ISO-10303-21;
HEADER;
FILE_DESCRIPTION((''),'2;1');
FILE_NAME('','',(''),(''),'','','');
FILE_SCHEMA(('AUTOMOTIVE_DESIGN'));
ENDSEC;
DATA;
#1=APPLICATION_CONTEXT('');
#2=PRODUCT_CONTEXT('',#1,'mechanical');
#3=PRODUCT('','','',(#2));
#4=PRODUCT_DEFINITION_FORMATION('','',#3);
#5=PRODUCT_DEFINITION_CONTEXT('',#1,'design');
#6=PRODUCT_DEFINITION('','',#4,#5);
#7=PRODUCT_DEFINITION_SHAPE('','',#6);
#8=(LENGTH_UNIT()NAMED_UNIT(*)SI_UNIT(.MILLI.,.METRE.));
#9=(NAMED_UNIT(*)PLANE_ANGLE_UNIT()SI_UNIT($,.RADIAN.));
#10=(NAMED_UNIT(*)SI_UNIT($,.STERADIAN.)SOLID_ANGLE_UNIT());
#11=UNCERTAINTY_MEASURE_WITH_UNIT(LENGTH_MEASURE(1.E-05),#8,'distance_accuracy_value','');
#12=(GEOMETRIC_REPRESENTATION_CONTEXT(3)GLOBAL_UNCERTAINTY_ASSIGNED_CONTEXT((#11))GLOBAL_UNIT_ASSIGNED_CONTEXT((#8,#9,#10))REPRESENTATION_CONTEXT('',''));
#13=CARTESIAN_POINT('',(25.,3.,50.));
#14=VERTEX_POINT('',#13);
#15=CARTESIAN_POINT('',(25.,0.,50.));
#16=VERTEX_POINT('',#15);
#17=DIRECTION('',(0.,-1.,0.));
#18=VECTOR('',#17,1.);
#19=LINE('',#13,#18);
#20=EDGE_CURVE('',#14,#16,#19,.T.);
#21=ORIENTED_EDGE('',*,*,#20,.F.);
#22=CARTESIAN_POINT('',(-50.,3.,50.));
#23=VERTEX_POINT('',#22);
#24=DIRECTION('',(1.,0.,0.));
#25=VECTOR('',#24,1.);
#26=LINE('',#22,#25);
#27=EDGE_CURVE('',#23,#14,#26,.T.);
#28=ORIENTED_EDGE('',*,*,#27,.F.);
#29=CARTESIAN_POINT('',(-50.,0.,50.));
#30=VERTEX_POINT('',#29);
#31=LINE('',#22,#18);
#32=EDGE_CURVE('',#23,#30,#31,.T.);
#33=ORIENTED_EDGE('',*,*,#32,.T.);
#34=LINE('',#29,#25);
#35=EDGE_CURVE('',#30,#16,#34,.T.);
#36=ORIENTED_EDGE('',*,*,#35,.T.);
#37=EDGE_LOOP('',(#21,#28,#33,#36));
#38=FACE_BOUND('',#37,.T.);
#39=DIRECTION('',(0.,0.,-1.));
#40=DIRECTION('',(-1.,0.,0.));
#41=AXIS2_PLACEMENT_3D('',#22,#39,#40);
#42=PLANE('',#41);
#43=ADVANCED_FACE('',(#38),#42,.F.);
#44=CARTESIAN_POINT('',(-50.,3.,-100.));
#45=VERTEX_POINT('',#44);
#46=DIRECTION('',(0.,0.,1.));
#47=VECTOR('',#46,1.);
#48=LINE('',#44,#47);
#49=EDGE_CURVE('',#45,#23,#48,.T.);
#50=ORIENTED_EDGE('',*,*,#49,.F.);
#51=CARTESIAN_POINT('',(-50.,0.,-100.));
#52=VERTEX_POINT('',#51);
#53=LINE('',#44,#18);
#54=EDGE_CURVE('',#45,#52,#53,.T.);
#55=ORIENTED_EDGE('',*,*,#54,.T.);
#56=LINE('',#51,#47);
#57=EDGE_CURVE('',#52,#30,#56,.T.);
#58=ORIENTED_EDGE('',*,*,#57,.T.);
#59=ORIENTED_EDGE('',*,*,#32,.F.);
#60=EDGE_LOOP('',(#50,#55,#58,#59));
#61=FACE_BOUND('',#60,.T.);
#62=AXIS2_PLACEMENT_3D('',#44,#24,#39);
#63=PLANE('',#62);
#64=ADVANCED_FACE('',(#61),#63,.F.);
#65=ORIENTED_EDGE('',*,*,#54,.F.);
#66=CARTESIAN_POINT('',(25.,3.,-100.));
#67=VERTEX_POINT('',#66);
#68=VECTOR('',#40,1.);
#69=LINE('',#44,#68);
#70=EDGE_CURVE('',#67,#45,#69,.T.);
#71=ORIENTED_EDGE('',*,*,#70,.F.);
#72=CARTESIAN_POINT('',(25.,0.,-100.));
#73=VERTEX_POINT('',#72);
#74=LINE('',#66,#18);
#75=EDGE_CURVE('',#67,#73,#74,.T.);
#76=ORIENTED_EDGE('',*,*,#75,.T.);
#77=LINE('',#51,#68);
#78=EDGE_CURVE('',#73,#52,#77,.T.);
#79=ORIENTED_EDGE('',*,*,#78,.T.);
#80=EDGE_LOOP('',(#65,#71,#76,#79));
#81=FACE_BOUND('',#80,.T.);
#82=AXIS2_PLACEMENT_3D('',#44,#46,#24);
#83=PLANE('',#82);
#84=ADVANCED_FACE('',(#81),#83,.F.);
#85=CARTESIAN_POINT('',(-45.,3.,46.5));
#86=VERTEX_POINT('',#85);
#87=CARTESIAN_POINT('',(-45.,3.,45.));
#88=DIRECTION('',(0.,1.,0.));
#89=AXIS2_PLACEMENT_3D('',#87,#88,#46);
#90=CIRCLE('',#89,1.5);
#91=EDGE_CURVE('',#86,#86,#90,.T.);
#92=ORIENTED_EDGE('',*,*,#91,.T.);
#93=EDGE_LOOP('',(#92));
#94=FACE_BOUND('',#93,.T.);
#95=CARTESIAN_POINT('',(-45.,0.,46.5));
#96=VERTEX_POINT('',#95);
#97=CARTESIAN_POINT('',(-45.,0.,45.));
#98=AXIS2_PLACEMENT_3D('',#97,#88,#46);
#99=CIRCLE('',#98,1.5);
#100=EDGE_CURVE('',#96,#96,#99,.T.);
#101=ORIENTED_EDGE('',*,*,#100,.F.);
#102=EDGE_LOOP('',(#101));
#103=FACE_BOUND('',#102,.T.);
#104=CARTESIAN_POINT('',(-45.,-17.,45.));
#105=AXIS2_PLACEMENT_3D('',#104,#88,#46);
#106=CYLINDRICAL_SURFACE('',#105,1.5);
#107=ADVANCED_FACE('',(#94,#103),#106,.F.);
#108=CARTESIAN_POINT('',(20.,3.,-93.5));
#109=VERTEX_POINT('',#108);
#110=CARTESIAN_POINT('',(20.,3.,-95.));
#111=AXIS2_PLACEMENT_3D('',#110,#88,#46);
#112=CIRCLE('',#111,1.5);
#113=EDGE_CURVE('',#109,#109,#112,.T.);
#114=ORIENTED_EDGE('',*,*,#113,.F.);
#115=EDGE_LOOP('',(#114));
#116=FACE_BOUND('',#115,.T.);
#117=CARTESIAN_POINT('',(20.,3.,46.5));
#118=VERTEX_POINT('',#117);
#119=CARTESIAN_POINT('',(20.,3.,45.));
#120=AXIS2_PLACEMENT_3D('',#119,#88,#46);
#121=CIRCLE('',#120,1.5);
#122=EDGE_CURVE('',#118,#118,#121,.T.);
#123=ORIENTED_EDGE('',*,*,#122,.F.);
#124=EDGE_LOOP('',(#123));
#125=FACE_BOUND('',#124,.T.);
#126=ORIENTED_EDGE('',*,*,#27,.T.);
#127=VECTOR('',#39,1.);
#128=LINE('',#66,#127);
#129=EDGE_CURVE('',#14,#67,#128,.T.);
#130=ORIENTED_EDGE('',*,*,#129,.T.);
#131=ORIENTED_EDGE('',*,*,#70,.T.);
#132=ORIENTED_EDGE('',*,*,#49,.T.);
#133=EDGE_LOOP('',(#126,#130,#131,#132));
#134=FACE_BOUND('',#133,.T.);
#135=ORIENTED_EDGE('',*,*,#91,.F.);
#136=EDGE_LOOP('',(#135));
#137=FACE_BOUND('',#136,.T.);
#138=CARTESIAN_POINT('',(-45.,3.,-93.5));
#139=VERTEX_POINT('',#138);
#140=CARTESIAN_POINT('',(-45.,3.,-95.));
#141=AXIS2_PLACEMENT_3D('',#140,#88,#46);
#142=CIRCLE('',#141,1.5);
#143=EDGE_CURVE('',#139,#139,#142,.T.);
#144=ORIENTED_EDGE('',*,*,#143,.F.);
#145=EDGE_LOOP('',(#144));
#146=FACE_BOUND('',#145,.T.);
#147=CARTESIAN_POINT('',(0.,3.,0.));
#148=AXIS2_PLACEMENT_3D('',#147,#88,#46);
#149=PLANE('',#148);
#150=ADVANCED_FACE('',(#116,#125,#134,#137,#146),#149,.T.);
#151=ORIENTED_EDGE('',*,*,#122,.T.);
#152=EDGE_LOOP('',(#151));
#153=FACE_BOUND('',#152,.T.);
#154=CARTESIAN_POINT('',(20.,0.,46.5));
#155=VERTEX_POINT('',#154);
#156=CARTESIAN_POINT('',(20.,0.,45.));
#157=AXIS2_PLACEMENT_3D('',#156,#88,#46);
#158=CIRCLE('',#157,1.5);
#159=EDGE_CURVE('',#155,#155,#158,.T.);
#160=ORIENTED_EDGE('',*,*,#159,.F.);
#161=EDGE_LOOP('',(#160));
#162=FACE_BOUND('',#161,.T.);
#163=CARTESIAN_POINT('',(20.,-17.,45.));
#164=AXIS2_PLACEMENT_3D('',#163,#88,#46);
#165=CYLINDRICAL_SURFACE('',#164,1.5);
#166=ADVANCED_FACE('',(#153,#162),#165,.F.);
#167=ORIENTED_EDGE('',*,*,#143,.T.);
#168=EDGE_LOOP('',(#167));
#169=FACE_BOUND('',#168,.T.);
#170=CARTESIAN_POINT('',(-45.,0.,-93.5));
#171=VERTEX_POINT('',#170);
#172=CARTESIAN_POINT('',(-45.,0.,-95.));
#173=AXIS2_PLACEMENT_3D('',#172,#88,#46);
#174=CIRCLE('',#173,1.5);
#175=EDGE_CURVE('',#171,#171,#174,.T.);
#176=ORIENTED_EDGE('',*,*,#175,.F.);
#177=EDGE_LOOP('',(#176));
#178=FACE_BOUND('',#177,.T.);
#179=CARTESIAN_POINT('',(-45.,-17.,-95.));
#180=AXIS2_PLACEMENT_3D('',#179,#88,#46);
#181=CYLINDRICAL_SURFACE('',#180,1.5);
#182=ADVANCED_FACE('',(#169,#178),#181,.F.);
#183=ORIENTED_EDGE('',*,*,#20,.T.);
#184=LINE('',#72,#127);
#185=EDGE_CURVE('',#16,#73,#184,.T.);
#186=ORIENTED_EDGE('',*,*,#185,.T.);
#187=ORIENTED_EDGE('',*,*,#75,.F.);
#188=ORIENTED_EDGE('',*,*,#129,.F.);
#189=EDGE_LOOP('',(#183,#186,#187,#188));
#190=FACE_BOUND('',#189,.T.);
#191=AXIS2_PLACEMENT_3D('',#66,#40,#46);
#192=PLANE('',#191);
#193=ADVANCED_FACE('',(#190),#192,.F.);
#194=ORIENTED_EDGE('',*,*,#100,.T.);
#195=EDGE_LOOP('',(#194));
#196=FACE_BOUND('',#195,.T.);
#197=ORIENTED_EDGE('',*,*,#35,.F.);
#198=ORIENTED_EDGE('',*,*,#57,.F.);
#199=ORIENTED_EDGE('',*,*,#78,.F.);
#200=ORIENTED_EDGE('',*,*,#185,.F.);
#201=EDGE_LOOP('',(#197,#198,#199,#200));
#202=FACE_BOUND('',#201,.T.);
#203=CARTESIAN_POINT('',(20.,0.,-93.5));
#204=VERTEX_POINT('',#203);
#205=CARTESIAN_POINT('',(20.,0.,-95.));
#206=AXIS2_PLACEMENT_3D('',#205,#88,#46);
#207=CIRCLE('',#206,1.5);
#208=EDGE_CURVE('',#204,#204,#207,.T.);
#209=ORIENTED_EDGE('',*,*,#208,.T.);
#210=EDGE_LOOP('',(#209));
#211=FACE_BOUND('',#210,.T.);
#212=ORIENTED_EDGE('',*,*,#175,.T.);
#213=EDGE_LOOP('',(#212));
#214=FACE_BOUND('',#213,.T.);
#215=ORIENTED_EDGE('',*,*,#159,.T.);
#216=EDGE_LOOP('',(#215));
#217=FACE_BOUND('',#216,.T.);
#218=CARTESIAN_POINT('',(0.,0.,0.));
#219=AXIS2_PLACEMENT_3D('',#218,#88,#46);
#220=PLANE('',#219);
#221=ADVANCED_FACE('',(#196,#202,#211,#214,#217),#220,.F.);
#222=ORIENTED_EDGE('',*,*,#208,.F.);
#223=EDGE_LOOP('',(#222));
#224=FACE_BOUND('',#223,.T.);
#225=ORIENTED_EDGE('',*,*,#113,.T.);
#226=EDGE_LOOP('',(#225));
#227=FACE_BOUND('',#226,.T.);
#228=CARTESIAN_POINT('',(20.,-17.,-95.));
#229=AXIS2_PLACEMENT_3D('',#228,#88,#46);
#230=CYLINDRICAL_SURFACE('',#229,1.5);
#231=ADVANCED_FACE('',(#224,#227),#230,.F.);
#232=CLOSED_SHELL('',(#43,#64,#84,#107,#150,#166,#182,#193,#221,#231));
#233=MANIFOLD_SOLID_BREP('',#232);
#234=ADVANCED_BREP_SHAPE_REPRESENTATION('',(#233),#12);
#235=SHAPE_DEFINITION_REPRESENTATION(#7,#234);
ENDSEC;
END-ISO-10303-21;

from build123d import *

# Parameters (mm, degrees)
SKETCH1_W           = 75
SKETCH1_H           = 150
BOSS_EXTRUDE1_DEPTH = 3
SKETCH2_R           = 1.5
CUT_EXTRUDE1_DEPTH  = 20


with BuildPart() as part:
    # Sketch1 → Boss-Extrude1 (new body)
    with BuildSketch(Plane(origin=(0, 0, 0), x_dir=(1, 0, 0), z_dir=(0, 1, 0))):
        with Locations((-12.5, 25)):
            Rectangle(SKETCH1_W, SKETCH1_H)
    extrude(amount=BOSS_EXTRUDE1_DEPTH)

    # Sketch2 → Cut-Extrude1 (cut)
    with BuildSketch(Plane(origin=(0, 3, 0), x_dir=(1, 0, 0), z_dir=(0, 1, 0))):
        with Locations(Location((-45, 95, 0), (0, 0, 270))):
            Circle(SKETCH2_R)
        with Locations(Location((20, 95, 0), (0, 0, 270))):
            Circle(SKETCH2_R)
        with Locations(Location((20, -45, 0), (0, 0, 270))):
            Circle(SKETCH2_R)
        with Locations(Location((-45, -45, 0), (0, 0, 270))):
            Circle(SKETCH2_R)
    extrude(amount=-CUT_EXTRUDE1_DEPTH, mode=Mode.SUBTRACT)


solid = part.part
